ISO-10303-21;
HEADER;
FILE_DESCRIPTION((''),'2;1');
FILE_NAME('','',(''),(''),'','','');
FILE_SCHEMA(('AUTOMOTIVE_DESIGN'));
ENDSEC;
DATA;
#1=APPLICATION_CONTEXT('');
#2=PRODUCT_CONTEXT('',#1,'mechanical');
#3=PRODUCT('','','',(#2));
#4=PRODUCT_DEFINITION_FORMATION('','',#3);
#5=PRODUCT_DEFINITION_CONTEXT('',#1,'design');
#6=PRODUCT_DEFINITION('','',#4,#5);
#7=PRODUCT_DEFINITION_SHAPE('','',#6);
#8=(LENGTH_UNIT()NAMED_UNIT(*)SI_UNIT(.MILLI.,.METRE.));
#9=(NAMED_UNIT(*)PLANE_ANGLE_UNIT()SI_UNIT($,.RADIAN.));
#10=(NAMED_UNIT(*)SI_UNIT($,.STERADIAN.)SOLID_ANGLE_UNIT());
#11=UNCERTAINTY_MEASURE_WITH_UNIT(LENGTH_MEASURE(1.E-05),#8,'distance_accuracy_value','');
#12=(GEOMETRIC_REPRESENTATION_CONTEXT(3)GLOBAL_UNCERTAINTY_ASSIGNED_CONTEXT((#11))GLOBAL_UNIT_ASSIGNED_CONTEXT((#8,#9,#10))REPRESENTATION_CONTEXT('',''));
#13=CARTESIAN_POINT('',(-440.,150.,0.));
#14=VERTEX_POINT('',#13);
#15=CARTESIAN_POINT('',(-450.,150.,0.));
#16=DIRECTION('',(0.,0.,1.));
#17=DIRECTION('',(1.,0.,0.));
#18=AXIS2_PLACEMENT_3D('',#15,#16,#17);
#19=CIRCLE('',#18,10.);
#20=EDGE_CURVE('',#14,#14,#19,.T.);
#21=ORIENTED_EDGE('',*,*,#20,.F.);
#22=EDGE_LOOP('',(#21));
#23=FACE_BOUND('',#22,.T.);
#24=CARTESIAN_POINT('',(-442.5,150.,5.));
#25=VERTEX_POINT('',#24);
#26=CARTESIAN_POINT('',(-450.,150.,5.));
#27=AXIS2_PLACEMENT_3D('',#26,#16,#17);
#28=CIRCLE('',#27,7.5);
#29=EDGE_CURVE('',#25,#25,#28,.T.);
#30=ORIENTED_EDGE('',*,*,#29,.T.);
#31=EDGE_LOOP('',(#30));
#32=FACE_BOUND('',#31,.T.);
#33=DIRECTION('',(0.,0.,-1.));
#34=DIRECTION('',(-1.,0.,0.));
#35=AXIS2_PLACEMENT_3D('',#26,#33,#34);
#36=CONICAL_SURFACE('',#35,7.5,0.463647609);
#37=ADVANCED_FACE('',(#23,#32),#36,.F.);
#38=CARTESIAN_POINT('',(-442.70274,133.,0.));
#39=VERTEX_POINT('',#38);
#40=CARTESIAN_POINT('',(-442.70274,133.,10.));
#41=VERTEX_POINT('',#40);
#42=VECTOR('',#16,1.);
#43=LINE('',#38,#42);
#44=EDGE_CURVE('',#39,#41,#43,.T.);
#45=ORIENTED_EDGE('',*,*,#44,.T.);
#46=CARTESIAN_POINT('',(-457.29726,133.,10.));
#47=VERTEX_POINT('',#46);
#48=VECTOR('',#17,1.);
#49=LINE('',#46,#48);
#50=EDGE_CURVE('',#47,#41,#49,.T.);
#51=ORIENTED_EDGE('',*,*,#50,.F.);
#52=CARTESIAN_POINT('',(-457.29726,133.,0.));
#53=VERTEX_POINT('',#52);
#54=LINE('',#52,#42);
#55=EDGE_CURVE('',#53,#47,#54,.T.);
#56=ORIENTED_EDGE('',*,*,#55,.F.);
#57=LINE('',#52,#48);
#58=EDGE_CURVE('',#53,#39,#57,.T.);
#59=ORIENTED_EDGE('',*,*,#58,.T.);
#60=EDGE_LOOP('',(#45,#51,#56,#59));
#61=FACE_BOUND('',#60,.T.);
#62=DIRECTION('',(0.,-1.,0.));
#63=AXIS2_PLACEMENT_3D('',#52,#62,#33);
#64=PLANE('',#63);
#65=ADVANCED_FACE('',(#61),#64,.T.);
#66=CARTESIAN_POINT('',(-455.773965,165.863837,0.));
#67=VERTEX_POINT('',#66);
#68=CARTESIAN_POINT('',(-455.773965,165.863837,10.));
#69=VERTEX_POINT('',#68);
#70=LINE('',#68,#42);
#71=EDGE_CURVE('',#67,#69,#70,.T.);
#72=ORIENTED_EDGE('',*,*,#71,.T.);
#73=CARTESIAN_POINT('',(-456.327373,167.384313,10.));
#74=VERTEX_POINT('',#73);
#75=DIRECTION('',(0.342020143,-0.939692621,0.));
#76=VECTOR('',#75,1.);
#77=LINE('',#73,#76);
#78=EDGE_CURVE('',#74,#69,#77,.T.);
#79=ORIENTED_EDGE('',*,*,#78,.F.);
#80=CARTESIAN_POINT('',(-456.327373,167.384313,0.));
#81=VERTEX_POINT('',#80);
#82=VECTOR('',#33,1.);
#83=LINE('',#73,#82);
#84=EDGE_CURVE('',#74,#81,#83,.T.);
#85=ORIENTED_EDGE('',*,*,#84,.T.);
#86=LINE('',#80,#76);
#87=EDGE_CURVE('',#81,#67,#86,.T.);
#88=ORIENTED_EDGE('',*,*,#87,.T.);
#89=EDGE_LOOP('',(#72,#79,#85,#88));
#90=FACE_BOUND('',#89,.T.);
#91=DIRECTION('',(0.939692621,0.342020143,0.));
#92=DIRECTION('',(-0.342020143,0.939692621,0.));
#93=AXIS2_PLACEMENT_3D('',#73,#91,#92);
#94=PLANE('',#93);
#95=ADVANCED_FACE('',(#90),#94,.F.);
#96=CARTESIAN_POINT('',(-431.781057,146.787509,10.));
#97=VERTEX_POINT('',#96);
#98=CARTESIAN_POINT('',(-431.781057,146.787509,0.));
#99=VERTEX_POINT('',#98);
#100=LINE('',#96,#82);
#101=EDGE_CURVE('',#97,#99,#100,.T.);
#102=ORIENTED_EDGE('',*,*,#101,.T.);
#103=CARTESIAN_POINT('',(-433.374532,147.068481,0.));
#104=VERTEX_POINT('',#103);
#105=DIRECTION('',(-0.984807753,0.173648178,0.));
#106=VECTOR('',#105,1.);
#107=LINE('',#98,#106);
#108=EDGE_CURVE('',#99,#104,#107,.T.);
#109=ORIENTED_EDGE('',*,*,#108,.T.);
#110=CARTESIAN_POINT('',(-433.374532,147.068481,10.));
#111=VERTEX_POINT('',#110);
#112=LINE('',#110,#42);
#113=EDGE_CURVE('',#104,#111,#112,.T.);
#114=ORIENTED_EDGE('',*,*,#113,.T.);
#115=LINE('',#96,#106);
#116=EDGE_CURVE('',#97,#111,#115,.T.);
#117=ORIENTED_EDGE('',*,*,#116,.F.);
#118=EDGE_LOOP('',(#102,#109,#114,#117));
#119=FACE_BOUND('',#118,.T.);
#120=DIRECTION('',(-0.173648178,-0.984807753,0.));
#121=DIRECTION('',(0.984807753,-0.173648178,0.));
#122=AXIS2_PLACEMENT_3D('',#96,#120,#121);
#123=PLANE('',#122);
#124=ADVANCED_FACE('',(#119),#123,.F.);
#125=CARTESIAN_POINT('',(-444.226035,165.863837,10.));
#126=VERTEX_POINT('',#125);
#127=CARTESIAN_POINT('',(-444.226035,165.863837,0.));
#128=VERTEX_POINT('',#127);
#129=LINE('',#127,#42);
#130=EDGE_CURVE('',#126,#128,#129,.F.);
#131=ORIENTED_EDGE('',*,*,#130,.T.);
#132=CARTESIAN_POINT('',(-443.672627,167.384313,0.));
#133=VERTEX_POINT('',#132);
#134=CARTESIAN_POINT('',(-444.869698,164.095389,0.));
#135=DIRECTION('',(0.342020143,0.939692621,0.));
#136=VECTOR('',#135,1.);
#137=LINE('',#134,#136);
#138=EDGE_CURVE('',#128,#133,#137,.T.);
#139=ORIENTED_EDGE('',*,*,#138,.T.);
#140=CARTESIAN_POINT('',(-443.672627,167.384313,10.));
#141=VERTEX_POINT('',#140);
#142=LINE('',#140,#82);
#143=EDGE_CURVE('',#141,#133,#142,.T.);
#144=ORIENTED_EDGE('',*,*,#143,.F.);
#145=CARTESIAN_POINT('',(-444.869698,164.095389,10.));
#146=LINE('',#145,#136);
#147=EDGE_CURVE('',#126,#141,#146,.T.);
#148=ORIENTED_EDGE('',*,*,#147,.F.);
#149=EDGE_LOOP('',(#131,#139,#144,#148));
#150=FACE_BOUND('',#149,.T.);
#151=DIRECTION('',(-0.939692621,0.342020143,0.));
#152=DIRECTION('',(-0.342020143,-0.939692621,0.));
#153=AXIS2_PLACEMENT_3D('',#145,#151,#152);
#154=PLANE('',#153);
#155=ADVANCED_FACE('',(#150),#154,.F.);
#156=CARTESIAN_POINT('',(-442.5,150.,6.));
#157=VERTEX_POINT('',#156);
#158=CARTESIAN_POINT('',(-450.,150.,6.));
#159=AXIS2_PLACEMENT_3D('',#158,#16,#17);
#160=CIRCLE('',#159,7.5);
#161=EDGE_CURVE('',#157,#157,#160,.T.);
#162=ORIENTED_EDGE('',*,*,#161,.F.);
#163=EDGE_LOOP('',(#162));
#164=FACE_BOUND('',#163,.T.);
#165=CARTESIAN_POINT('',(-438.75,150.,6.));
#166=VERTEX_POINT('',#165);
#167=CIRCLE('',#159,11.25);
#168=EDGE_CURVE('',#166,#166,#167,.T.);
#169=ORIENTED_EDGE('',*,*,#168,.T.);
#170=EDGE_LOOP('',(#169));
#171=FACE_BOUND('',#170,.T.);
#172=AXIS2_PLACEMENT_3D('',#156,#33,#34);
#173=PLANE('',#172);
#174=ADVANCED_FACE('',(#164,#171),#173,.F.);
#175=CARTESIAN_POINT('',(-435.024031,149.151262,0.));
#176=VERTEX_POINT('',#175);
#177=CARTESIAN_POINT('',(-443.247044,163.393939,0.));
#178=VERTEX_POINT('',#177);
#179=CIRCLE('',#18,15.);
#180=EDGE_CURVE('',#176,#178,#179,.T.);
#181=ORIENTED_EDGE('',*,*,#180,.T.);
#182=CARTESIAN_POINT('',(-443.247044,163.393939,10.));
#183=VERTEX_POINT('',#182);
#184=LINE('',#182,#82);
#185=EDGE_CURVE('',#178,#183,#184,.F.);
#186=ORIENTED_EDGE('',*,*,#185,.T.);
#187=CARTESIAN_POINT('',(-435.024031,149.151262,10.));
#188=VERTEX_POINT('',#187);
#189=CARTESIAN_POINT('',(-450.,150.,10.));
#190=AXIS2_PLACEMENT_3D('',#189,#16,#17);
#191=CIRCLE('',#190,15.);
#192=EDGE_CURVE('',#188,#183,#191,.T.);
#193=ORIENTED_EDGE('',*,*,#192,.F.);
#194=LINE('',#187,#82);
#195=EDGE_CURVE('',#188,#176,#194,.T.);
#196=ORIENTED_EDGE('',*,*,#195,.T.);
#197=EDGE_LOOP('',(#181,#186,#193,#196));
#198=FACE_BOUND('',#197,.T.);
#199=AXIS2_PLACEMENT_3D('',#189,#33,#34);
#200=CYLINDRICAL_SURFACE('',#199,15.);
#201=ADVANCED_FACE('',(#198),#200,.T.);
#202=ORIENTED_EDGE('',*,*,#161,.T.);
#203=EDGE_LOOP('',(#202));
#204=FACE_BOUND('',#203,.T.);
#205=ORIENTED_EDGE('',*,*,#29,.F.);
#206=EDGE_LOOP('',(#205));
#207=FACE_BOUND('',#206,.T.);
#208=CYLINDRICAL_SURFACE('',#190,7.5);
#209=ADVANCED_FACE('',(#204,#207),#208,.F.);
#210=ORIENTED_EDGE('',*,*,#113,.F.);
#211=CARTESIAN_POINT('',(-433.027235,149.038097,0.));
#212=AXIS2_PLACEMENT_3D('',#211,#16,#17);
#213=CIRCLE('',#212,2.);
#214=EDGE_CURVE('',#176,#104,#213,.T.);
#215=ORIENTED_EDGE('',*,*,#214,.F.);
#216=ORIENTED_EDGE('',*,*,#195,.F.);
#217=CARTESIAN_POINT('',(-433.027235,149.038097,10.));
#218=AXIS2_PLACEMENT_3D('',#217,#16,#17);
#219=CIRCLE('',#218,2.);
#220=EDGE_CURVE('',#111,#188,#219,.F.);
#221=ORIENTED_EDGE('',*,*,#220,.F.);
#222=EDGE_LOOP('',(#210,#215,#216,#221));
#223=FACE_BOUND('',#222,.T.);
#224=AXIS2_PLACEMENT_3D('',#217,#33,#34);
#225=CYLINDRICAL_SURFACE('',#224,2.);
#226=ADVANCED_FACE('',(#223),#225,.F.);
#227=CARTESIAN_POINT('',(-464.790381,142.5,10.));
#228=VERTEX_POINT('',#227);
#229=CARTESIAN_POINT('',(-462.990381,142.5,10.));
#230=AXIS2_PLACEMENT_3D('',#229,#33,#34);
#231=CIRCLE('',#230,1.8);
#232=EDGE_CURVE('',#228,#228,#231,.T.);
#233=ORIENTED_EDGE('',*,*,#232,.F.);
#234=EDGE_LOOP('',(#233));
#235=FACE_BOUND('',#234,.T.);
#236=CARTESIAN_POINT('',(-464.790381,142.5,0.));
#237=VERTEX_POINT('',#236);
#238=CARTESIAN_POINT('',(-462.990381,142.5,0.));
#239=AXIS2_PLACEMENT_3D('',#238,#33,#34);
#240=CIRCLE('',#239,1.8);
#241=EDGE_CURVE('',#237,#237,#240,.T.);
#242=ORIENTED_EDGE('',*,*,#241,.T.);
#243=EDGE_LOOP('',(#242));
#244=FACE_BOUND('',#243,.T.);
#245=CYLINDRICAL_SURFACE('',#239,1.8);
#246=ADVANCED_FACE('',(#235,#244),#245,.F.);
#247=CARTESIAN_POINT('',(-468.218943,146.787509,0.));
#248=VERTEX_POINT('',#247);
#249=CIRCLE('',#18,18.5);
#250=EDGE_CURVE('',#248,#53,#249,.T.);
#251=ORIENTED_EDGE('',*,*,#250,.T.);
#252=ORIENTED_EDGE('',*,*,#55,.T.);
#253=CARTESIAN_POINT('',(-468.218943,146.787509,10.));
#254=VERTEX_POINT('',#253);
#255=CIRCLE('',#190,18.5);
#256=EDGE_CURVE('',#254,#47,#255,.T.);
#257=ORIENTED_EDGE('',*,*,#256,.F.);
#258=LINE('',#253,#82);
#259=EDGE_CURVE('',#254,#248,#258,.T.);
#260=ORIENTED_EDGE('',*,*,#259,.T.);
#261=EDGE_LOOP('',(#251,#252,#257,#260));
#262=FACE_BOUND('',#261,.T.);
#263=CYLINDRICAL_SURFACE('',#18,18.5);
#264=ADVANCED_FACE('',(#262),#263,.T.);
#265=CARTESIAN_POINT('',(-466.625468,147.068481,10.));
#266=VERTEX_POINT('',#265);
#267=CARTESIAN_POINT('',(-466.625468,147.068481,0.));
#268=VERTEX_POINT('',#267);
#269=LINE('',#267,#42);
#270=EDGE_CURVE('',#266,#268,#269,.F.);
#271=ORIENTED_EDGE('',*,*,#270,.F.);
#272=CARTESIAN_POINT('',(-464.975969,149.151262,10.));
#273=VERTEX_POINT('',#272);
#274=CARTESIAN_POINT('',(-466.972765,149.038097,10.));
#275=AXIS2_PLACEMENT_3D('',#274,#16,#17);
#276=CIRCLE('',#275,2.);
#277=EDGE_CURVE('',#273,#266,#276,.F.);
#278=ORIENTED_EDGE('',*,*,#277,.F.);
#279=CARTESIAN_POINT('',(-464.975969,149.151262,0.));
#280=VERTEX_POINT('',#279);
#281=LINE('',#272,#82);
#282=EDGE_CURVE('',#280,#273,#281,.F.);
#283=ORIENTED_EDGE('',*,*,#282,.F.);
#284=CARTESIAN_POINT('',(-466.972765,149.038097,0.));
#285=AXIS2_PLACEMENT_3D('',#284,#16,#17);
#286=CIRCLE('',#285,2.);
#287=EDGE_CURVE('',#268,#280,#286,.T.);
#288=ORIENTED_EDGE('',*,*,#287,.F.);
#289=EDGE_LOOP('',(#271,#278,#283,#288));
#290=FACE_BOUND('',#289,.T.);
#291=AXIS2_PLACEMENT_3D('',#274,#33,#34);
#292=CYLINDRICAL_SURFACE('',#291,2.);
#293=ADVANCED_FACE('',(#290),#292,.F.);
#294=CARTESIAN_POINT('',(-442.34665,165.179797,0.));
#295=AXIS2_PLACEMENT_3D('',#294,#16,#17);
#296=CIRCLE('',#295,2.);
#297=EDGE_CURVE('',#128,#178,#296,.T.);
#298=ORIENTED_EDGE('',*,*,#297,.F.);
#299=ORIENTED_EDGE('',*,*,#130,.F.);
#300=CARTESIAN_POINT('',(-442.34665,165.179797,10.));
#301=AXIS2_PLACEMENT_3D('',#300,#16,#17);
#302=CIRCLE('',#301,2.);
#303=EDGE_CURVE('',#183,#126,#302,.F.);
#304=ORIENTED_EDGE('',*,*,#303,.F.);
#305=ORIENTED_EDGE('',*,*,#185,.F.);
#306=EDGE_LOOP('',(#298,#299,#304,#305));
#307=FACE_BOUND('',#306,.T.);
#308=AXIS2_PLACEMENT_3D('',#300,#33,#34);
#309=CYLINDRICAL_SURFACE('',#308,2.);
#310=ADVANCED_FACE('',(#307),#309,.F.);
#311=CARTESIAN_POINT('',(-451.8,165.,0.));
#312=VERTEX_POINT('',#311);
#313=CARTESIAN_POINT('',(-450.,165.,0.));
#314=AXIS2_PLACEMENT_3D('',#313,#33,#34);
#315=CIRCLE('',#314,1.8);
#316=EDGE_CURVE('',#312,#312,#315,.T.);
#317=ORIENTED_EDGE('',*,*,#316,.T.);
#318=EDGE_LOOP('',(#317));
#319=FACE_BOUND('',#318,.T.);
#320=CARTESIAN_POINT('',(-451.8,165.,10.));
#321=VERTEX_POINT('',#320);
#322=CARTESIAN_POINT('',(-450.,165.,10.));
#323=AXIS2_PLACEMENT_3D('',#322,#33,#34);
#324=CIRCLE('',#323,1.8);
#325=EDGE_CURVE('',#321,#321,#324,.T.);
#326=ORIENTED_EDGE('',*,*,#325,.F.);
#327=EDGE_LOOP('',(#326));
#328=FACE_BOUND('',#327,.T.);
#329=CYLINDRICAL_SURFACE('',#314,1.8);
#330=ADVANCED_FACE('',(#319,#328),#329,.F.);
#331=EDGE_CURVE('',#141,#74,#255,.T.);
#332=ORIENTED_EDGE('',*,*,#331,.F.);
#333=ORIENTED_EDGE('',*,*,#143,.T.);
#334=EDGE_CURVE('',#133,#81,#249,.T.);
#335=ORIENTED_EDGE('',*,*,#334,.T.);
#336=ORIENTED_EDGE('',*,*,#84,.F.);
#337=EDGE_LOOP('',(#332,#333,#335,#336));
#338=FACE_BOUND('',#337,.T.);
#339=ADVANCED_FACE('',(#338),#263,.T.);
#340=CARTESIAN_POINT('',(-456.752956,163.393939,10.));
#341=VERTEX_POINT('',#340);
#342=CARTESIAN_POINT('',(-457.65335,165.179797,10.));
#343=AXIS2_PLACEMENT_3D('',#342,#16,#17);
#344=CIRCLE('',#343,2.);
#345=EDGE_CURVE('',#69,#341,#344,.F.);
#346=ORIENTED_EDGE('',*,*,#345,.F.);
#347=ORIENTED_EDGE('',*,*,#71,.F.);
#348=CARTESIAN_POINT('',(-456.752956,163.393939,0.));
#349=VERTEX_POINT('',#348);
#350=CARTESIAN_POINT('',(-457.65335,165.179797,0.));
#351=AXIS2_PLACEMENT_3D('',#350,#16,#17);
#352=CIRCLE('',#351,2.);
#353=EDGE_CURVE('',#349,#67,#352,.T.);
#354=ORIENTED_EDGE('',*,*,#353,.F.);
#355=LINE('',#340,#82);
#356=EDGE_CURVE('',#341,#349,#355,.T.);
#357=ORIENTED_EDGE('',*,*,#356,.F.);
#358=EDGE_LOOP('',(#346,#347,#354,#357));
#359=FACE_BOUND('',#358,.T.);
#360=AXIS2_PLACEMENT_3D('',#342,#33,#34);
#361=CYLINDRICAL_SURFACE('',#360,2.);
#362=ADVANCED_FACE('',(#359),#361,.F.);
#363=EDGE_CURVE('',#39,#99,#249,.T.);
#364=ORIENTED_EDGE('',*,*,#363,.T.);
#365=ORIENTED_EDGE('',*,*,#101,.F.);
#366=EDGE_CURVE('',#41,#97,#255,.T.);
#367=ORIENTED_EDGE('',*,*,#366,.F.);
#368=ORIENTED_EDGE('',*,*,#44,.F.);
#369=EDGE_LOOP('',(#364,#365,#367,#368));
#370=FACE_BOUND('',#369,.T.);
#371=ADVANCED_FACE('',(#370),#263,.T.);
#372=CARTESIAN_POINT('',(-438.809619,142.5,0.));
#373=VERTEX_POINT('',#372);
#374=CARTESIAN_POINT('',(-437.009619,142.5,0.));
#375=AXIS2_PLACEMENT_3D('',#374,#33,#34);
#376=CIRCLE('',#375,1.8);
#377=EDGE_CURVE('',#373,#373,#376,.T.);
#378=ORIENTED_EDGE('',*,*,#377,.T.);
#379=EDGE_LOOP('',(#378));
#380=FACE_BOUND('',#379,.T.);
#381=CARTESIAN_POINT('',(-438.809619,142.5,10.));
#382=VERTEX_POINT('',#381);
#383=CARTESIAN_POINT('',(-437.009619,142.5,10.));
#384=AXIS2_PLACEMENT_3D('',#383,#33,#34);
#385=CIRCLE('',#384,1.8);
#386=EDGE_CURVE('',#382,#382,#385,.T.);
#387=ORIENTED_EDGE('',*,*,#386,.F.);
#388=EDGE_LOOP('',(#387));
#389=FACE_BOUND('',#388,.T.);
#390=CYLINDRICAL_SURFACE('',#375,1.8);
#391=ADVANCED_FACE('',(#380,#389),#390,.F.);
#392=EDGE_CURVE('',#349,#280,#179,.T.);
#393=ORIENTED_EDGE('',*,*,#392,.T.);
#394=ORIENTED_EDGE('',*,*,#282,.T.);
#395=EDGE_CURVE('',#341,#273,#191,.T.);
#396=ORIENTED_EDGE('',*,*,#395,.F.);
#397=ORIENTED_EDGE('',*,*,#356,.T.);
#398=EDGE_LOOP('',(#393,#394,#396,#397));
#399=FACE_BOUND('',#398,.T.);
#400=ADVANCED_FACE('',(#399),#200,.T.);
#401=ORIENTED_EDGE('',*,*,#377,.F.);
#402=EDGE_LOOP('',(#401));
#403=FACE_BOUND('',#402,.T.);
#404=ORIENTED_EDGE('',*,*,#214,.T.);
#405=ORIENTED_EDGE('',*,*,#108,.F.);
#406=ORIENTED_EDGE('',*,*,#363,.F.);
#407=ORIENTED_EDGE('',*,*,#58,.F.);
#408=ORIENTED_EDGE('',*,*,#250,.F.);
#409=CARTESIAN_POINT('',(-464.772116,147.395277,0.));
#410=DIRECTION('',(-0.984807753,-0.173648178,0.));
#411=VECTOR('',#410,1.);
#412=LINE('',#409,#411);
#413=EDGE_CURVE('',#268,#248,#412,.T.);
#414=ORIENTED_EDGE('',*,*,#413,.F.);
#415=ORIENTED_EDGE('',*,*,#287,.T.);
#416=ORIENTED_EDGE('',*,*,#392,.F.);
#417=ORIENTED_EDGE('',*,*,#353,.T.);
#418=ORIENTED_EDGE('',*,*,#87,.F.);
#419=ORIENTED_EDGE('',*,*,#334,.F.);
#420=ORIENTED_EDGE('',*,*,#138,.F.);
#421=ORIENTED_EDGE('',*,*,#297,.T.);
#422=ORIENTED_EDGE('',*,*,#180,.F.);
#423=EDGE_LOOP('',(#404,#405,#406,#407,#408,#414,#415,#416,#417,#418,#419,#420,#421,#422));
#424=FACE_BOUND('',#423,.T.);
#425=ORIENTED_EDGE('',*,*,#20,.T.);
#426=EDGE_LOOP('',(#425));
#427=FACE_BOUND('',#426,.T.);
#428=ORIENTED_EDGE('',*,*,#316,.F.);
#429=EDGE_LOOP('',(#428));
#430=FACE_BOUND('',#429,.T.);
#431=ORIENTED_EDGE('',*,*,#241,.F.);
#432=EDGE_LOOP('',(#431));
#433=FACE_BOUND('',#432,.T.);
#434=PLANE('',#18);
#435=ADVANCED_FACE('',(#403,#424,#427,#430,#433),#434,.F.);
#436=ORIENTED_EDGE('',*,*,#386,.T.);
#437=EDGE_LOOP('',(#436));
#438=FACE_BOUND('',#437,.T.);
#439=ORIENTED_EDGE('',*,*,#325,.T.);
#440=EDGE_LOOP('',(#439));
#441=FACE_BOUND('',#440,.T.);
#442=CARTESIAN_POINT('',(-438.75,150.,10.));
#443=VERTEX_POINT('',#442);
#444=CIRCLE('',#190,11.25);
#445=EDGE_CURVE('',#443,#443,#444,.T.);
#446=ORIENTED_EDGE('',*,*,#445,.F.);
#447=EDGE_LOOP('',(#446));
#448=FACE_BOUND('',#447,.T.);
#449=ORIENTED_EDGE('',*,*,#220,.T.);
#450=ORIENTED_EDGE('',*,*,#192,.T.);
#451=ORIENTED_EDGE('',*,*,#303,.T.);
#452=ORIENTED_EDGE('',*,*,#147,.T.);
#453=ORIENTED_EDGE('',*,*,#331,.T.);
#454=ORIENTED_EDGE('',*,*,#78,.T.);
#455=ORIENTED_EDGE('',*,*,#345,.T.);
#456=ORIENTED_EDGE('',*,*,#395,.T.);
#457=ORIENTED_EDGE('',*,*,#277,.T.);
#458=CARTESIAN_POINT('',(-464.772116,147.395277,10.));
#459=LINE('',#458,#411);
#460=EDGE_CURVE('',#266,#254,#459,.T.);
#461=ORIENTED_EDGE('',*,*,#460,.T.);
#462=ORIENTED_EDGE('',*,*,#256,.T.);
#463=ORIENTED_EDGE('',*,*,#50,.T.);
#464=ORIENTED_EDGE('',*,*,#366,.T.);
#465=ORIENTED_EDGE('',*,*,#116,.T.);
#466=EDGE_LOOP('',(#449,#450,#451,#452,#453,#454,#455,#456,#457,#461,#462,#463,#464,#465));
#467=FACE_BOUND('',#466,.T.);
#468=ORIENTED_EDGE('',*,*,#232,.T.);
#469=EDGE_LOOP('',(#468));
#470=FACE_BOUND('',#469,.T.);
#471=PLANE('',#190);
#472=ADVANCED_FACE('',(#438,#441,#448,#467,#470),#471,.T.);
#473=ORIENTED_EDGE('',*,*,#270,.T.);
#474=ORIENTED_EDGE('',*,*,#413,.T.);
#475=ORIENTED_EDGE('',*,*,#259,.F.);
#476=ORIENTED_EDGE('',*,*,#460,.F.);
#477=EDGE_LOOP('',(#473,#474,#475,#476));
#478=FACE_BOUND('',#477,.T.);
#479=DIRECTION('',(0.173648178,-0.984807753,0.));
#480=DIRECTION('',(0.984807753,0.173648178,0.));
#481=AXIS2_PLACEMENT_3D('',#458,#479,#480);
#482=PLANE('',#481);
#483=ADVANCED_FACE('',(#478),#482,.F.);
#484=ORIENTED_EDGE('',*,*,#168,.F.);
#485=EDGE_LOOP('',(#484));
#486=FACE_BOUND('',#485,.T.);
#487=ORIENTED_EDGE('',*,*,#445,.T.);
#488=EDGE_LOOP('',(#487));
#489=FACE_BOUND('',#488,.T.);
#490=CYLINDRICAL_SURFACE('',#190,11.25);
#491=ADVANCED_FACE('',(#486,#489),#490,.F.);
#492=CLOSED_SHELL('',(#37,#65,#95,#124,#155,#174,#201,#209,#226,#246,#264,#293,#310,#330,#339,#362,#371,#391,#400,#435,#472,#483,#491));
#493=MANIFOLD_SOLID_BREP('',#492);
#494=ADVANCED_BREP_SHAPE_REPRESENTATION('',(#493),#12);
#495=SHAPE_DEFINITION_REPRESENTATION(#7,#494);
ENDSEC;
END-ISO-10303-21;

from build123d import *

# Parameters (mm, degrees)
EXTRUDE_1_DEPTH             = 10
CUT_EXTRUDE_1_DEPTH         = 11
CUT_EXTRUDE_2_DEPTH         = 11
HOLE_WIZARD_3_6_3_6_1_D     = 3.6
HOLE_WIZARD_3_6_3_6_1_DEPTH = 10
FILLET_1_R                  = 2


with BuildPart() as part:
    # 草图1 → 凸台-拉伸1 (new body)
    with BuildSketch(Plane.XY.offset(10)):
        with BuildLine():
            Line((-457.29725976, 133), (-442.70274024, 133))
            ThreePointArc((-442.70274024, 133), (-450, 168.5), (-457.29725976, 133))
        make_face()
    extrude(amount=-EXTRUDE_1_DEPTH)

    # 草图2 → 切除-拉伸1 (cut, through all)
    with BuildSketch(Plane(origin=(0, 0, 0), x_dir=(-1, 0, 0), z_dir=(0, 0, -1))):
        with BuildLine():
            Line((431.781056569, 146.787508713), (435.227883705, 147.395277335))
            ThreePointArc((435.227883705, 147.395277335), (437.009618943, 157.5), (444.86969785, 164.095389312))
            Line((444.86969785, 164.095389312), (443.672627348, 167.384313485))
            ThreePointArc((443.672627348, 167.384313485), (433.97853003, 159.25), (431.781056569, 146.787508713))
        make_face()
    extrude(amount=-CUT_EXTRUDE_1_DEPTH, mode=Mode.SUBTRACT)

    # 草图3 → 切除-拉伸2 (cut, through all)
    with BuildSketch(Plane(origin=(0, 0, 0), x_dir=(-1, 0, 0), z_dir=(0, 0, -1))):
        with BuildLine():
            Line((456.327372652, 167.384313485), (455.13030215, 164.095389312))
            ThreePointArc((455.13030215, 164.095389312), (462.990381057, 157.5), (464.772116295, 147.395277335))
            Line((464.772116295, 147.395277335), (468.218943431, 146.787508713))
            ThreePointArc((468.218943431, 146.787508713), (466.02146997, 159.25), (456.327372652, 167.384313485))
        make_face()
    extrude(amount=-CUT_EXTRUDE_2_DEPTH, mode=Mode.SUBTRACT)

    # Ø3.6 (3.6) 直径孔1
    with Locations(Plane(origin=(0, 0, 0), x_dir=(-1, 0, 0), z_dir=(0, 0, -1))):
        with Locations((437.009618943, 142.5), (450, 165), (462.990381057, 142.5)):
            Hole(HOLE_WIZARD_3_6_3_6_1_D / 2, depth=HOLE_WIZARD_3_6_3_6_1_DEPTH)

    # 草图6 → M12 六角头螺栓的柱形沉头孔1 (revolve, cut)
    with BuildSketch(Plane(origin=(-450, 150, 10), x_dir=(0, -1, 0), z_dir=(1, 0, 0))):
        Polygon((0, 0), (0, 10), (10, 10), (7.5, 5), (7.5, 4), (11.25, 4), (11.25, 0), align=None)
    revolve(axis=Axis((-450, 150, 16.35), (0, 0, -1)), mode=Mode.SUBTRACT)

    # 圆角1
    fillet_1_edges = [part.edges().sort_by_distance(p)[0] for p in [
        (-444.86969785, 164.095389312, 5),
        (-435.227883705, 147.395277335, 5),
        (-464.772116295, 147.395277335, 5),
        (-455.13030215, 164.095389312, 5),
    ]]
    fillet(fillet_1_edges, radius=FILLET_1_R)


solid = part.part
